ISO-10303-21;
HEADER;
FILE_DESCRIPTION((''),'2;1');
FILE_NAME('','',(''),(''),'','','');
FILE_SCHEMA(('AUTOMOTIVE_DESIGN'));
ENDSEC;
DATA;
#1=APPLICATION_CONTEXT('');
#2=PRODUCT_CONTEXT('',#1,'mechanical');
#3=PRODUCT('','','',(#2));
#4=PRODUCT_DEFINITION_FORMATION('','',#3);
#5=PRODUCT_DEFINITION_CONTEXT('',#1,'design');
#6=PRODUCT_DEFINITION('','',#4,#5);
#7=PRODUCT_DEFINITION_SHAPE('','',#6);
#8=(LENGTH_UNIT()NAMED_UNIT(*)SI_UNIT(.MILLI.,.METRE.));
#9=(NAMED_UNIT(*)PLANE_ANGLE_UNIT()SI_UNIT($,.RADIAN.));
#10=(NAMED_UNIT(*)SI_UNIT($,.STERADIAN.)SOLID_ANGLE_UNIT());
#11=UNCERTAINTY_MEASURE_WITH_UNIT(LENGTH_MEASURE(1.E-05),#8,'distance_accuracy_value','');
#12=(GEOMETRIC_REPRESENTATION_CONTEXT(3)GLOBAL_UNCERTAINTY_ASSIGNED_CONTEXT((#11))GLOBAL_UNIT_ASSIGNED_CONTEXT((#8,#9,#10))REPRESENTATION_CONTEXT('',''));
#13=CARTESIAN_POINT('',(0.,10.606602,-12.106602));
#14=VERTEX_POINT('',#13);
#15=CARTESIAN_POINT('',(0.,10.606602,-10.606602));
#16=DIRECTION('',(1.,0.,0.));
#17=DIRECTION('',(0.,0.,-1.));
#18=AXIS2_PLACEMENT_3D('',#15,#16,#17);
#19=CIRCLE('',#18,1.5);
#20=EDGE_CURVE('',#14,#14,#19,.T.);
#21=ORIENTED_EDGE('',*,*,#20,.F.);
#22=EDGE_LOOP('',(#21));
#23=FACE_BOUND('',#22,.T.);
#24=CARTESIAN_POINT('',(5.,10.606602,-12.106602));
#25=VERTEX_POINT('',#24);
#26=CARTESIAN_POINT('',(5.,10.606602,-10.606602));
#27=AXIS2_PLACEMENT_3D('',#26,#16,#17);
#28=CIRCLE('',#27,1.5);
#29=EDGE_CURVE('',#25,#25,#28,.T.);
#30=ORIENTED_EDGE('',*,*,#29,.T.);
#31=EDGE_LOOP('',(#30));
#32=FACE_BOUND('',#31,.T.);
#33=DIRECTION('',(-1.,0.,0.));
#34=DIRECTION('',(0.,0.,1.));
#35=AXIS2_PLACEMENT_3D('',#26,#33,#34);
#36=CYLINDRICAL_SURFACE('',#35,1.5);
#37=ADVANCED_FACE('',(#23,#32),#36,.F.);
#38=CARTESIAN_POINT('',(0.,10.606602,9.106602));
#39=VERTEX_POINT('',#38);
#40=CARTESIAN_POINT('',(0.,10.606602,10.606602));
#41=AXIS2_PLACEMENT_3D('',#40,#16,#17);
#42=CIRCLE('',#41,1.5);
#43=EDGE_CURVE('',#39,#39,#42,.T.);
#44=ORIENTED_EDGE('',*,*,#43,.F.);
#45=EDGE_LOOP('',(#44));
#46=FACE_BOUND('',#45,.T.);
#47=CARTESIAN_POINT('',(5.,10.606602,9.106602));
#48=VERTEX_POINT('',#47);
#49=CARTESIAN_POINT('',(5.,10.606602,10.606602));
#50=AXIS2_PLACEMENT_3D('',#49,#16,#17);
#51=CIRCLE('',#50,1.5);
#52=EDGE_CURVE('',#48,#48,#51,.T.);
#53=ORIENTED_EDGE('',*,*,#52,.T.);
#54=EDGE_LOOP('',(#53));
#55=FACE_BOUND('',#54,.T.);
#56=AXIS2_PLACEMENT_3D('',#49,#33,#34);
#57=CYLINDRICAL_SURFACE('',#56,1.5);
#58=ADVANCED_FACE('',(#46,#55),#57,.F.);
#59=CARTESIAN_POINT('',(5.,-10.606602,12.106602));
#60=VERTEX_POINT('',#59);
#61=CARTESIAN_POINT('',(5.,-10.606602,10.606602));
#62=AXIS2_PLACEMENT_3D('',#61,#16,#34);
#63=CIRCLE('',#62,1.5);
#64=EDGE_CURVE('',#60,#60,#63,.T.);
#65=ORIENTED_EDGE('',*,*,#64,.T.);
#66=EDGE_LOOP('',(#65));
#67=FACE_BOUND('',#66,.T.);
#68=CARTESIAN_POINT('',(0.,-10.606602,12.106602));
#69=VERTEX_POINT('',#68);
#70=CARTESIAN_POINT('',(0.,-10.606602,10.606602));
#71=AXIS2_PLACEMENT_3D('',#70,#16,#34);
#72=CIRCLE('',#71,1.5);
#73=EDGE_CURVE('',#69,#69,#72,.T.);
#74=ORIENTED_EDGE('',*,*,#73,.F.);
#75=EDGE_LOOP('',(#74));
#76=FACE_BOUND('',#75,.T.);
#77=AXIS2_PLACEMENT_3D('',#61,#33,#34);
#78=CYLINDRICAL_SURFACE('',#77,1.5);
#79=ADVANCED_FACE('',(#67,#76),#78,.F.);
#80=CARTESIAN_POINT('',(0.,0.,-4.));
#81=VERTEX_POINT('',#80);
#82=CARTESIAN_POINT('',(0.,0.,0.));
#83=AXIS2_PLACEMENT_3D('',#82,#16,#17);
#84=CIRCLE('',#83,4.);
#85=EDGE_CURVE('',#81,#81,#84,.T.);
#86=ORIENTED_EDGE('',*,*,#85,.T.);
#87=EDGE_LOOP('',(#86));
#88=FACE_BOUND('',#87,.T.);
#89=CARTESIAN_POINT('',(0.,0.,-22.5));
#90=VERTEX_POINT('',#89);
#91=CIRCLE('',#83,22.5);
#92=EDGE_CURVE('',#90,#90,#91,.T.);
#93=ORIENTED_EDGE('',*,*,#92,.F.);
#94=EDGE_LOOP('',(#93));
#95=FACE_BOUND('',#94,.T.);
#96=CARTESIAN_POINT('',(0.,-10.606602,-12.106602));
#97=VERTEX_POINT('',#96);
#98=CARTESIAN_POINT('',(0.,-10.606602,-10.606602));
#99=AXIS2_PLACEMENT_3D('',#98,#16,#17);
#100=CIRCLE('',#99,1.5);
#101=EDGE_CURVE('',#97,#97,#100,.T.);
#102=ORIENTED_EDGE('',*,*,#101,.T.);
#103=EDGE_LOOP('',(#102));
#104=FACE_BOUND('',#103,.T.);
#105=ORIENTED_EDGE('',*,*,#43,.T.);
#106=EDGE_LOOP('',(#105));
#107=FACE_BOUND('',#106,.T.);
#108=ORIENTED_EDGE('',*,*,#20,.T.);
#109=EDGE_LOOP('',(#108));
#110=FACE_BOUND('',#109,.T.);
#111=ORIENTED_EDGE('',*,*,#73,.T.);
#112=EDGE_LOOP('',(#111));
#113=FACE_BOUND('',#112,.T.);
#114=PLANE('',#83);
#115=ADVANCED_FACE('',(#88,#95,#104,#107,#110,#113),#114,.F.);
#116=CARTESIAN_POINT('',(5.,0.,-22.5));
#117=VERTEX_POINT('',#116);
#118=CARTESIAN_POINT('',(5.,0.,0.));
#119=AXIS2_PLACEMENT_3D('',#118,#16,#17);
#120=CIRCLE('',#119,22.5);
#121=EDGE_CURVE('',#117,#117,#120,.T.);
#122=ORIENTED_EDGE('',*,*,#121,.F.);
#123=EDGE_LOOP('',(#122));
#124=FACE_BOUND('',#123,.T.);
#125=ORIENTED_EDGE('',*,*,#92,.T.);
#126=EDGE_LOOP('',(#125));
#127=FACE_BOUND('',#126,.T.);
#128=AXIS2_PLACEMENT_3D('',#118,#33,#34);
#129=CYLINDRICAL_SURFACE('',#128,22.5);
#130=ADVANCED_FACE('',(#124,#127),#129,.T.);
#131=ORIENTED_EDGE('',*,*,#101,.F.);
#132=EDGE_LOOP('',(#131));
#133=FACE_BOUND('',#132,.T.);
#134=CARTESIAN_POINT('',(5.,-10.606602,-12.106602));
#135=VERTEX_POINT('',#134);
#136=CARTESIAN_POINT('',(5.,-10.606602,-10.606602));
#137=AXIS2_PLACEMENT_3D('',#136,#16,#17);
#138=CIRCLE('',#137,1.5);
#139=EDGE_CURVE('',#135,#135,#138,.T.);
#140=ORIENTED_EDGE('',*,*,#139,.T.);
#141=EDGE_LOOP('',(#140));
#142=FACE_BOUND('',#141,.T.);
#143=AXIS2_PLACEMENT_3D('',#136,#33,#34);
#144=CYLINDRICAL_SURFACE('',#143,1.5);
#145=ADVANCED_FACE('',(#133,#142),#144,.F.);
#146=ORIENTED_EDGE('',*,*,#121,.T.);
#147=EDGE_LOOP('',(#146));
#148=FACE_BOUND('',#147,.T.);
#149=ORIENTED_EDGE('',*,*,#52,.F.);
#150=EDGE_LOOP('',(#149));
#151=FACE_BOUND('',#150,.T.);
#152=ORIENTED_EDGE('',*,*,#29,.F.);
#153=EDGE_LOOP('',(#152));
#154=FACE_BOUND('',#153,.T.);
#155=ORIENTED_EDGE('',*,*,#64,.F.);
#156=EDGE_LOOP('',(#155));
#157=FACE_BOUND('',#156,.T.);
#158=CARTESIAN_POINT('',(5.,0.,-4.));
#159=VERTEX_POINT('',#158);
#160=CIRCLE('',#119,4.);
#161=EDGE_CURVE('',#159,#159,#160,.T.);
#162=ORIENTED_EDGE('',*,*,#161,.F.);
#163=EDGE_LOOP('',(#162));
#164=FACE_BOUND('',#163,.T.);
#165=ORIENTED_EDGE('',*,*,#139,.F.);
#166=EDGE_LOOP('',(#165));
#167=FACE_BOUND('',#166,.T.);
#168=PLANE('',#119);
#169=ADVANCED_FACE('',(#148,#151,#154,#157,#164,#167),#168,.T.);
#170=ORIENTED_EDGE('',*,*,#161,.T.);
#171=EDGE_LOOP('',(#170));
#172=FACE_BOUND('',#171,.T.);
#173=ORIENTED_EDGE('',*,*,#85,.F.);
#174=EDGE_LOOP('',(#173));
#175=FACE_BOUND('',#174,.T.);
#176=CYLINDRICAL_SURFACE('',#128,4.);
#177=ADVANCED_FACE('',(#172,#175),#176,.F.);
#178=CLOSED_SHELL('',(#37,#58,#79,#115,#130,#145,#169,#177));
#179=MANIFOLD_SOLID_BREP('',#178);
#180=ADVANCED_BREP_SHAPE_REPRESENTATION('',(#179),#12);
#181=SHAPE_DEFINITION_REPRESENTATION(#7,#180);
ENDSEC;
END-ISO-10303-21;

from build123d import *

# Parameters (mm, degrees)
SKETCH1_R           = 22.5
SKETCH1_R_2         = 4
SKETCH1_R_3         = 1.5
BOSS_EXTRUDE1_DEPTH = 5


with BuildPart() as part:
    # Sketch1 → Boss-Extrude1 (new body)
    with BuildSketch(Plane(origin=(0, 0, 0), x_dir=(0, 0, -1), z_dir=(1, 0, 0))):
        Circle(SKETCH1_R)
        Circle(SKETCH1_R_2, mode=Mode.SUBTRACT)
        with Locations((-10.606601718, 10.606601718)):
            Circle(SKETCH1_R_3, mode=Mode.SUBTRACT)
        with Locations(Location((-10.606601718, -10.606601718, 0), (0, 0, 180))):
            Circle(SKETCH1_R_3, mode=Mode.SUBTRACT)
        with Locations((10.606601718, -10.606601718)):
            Circle(SKETCH1_R_3, mode=Mode.SUBTRACT)
        with Locations((10.606601718, 10.606601718)):
            Circle(SKETCH1_R_3, mode=Mode.SUBTRACT)
    extrude(amount=BOSS_EXTRUDE1_DEPTH)


solid = part.part
